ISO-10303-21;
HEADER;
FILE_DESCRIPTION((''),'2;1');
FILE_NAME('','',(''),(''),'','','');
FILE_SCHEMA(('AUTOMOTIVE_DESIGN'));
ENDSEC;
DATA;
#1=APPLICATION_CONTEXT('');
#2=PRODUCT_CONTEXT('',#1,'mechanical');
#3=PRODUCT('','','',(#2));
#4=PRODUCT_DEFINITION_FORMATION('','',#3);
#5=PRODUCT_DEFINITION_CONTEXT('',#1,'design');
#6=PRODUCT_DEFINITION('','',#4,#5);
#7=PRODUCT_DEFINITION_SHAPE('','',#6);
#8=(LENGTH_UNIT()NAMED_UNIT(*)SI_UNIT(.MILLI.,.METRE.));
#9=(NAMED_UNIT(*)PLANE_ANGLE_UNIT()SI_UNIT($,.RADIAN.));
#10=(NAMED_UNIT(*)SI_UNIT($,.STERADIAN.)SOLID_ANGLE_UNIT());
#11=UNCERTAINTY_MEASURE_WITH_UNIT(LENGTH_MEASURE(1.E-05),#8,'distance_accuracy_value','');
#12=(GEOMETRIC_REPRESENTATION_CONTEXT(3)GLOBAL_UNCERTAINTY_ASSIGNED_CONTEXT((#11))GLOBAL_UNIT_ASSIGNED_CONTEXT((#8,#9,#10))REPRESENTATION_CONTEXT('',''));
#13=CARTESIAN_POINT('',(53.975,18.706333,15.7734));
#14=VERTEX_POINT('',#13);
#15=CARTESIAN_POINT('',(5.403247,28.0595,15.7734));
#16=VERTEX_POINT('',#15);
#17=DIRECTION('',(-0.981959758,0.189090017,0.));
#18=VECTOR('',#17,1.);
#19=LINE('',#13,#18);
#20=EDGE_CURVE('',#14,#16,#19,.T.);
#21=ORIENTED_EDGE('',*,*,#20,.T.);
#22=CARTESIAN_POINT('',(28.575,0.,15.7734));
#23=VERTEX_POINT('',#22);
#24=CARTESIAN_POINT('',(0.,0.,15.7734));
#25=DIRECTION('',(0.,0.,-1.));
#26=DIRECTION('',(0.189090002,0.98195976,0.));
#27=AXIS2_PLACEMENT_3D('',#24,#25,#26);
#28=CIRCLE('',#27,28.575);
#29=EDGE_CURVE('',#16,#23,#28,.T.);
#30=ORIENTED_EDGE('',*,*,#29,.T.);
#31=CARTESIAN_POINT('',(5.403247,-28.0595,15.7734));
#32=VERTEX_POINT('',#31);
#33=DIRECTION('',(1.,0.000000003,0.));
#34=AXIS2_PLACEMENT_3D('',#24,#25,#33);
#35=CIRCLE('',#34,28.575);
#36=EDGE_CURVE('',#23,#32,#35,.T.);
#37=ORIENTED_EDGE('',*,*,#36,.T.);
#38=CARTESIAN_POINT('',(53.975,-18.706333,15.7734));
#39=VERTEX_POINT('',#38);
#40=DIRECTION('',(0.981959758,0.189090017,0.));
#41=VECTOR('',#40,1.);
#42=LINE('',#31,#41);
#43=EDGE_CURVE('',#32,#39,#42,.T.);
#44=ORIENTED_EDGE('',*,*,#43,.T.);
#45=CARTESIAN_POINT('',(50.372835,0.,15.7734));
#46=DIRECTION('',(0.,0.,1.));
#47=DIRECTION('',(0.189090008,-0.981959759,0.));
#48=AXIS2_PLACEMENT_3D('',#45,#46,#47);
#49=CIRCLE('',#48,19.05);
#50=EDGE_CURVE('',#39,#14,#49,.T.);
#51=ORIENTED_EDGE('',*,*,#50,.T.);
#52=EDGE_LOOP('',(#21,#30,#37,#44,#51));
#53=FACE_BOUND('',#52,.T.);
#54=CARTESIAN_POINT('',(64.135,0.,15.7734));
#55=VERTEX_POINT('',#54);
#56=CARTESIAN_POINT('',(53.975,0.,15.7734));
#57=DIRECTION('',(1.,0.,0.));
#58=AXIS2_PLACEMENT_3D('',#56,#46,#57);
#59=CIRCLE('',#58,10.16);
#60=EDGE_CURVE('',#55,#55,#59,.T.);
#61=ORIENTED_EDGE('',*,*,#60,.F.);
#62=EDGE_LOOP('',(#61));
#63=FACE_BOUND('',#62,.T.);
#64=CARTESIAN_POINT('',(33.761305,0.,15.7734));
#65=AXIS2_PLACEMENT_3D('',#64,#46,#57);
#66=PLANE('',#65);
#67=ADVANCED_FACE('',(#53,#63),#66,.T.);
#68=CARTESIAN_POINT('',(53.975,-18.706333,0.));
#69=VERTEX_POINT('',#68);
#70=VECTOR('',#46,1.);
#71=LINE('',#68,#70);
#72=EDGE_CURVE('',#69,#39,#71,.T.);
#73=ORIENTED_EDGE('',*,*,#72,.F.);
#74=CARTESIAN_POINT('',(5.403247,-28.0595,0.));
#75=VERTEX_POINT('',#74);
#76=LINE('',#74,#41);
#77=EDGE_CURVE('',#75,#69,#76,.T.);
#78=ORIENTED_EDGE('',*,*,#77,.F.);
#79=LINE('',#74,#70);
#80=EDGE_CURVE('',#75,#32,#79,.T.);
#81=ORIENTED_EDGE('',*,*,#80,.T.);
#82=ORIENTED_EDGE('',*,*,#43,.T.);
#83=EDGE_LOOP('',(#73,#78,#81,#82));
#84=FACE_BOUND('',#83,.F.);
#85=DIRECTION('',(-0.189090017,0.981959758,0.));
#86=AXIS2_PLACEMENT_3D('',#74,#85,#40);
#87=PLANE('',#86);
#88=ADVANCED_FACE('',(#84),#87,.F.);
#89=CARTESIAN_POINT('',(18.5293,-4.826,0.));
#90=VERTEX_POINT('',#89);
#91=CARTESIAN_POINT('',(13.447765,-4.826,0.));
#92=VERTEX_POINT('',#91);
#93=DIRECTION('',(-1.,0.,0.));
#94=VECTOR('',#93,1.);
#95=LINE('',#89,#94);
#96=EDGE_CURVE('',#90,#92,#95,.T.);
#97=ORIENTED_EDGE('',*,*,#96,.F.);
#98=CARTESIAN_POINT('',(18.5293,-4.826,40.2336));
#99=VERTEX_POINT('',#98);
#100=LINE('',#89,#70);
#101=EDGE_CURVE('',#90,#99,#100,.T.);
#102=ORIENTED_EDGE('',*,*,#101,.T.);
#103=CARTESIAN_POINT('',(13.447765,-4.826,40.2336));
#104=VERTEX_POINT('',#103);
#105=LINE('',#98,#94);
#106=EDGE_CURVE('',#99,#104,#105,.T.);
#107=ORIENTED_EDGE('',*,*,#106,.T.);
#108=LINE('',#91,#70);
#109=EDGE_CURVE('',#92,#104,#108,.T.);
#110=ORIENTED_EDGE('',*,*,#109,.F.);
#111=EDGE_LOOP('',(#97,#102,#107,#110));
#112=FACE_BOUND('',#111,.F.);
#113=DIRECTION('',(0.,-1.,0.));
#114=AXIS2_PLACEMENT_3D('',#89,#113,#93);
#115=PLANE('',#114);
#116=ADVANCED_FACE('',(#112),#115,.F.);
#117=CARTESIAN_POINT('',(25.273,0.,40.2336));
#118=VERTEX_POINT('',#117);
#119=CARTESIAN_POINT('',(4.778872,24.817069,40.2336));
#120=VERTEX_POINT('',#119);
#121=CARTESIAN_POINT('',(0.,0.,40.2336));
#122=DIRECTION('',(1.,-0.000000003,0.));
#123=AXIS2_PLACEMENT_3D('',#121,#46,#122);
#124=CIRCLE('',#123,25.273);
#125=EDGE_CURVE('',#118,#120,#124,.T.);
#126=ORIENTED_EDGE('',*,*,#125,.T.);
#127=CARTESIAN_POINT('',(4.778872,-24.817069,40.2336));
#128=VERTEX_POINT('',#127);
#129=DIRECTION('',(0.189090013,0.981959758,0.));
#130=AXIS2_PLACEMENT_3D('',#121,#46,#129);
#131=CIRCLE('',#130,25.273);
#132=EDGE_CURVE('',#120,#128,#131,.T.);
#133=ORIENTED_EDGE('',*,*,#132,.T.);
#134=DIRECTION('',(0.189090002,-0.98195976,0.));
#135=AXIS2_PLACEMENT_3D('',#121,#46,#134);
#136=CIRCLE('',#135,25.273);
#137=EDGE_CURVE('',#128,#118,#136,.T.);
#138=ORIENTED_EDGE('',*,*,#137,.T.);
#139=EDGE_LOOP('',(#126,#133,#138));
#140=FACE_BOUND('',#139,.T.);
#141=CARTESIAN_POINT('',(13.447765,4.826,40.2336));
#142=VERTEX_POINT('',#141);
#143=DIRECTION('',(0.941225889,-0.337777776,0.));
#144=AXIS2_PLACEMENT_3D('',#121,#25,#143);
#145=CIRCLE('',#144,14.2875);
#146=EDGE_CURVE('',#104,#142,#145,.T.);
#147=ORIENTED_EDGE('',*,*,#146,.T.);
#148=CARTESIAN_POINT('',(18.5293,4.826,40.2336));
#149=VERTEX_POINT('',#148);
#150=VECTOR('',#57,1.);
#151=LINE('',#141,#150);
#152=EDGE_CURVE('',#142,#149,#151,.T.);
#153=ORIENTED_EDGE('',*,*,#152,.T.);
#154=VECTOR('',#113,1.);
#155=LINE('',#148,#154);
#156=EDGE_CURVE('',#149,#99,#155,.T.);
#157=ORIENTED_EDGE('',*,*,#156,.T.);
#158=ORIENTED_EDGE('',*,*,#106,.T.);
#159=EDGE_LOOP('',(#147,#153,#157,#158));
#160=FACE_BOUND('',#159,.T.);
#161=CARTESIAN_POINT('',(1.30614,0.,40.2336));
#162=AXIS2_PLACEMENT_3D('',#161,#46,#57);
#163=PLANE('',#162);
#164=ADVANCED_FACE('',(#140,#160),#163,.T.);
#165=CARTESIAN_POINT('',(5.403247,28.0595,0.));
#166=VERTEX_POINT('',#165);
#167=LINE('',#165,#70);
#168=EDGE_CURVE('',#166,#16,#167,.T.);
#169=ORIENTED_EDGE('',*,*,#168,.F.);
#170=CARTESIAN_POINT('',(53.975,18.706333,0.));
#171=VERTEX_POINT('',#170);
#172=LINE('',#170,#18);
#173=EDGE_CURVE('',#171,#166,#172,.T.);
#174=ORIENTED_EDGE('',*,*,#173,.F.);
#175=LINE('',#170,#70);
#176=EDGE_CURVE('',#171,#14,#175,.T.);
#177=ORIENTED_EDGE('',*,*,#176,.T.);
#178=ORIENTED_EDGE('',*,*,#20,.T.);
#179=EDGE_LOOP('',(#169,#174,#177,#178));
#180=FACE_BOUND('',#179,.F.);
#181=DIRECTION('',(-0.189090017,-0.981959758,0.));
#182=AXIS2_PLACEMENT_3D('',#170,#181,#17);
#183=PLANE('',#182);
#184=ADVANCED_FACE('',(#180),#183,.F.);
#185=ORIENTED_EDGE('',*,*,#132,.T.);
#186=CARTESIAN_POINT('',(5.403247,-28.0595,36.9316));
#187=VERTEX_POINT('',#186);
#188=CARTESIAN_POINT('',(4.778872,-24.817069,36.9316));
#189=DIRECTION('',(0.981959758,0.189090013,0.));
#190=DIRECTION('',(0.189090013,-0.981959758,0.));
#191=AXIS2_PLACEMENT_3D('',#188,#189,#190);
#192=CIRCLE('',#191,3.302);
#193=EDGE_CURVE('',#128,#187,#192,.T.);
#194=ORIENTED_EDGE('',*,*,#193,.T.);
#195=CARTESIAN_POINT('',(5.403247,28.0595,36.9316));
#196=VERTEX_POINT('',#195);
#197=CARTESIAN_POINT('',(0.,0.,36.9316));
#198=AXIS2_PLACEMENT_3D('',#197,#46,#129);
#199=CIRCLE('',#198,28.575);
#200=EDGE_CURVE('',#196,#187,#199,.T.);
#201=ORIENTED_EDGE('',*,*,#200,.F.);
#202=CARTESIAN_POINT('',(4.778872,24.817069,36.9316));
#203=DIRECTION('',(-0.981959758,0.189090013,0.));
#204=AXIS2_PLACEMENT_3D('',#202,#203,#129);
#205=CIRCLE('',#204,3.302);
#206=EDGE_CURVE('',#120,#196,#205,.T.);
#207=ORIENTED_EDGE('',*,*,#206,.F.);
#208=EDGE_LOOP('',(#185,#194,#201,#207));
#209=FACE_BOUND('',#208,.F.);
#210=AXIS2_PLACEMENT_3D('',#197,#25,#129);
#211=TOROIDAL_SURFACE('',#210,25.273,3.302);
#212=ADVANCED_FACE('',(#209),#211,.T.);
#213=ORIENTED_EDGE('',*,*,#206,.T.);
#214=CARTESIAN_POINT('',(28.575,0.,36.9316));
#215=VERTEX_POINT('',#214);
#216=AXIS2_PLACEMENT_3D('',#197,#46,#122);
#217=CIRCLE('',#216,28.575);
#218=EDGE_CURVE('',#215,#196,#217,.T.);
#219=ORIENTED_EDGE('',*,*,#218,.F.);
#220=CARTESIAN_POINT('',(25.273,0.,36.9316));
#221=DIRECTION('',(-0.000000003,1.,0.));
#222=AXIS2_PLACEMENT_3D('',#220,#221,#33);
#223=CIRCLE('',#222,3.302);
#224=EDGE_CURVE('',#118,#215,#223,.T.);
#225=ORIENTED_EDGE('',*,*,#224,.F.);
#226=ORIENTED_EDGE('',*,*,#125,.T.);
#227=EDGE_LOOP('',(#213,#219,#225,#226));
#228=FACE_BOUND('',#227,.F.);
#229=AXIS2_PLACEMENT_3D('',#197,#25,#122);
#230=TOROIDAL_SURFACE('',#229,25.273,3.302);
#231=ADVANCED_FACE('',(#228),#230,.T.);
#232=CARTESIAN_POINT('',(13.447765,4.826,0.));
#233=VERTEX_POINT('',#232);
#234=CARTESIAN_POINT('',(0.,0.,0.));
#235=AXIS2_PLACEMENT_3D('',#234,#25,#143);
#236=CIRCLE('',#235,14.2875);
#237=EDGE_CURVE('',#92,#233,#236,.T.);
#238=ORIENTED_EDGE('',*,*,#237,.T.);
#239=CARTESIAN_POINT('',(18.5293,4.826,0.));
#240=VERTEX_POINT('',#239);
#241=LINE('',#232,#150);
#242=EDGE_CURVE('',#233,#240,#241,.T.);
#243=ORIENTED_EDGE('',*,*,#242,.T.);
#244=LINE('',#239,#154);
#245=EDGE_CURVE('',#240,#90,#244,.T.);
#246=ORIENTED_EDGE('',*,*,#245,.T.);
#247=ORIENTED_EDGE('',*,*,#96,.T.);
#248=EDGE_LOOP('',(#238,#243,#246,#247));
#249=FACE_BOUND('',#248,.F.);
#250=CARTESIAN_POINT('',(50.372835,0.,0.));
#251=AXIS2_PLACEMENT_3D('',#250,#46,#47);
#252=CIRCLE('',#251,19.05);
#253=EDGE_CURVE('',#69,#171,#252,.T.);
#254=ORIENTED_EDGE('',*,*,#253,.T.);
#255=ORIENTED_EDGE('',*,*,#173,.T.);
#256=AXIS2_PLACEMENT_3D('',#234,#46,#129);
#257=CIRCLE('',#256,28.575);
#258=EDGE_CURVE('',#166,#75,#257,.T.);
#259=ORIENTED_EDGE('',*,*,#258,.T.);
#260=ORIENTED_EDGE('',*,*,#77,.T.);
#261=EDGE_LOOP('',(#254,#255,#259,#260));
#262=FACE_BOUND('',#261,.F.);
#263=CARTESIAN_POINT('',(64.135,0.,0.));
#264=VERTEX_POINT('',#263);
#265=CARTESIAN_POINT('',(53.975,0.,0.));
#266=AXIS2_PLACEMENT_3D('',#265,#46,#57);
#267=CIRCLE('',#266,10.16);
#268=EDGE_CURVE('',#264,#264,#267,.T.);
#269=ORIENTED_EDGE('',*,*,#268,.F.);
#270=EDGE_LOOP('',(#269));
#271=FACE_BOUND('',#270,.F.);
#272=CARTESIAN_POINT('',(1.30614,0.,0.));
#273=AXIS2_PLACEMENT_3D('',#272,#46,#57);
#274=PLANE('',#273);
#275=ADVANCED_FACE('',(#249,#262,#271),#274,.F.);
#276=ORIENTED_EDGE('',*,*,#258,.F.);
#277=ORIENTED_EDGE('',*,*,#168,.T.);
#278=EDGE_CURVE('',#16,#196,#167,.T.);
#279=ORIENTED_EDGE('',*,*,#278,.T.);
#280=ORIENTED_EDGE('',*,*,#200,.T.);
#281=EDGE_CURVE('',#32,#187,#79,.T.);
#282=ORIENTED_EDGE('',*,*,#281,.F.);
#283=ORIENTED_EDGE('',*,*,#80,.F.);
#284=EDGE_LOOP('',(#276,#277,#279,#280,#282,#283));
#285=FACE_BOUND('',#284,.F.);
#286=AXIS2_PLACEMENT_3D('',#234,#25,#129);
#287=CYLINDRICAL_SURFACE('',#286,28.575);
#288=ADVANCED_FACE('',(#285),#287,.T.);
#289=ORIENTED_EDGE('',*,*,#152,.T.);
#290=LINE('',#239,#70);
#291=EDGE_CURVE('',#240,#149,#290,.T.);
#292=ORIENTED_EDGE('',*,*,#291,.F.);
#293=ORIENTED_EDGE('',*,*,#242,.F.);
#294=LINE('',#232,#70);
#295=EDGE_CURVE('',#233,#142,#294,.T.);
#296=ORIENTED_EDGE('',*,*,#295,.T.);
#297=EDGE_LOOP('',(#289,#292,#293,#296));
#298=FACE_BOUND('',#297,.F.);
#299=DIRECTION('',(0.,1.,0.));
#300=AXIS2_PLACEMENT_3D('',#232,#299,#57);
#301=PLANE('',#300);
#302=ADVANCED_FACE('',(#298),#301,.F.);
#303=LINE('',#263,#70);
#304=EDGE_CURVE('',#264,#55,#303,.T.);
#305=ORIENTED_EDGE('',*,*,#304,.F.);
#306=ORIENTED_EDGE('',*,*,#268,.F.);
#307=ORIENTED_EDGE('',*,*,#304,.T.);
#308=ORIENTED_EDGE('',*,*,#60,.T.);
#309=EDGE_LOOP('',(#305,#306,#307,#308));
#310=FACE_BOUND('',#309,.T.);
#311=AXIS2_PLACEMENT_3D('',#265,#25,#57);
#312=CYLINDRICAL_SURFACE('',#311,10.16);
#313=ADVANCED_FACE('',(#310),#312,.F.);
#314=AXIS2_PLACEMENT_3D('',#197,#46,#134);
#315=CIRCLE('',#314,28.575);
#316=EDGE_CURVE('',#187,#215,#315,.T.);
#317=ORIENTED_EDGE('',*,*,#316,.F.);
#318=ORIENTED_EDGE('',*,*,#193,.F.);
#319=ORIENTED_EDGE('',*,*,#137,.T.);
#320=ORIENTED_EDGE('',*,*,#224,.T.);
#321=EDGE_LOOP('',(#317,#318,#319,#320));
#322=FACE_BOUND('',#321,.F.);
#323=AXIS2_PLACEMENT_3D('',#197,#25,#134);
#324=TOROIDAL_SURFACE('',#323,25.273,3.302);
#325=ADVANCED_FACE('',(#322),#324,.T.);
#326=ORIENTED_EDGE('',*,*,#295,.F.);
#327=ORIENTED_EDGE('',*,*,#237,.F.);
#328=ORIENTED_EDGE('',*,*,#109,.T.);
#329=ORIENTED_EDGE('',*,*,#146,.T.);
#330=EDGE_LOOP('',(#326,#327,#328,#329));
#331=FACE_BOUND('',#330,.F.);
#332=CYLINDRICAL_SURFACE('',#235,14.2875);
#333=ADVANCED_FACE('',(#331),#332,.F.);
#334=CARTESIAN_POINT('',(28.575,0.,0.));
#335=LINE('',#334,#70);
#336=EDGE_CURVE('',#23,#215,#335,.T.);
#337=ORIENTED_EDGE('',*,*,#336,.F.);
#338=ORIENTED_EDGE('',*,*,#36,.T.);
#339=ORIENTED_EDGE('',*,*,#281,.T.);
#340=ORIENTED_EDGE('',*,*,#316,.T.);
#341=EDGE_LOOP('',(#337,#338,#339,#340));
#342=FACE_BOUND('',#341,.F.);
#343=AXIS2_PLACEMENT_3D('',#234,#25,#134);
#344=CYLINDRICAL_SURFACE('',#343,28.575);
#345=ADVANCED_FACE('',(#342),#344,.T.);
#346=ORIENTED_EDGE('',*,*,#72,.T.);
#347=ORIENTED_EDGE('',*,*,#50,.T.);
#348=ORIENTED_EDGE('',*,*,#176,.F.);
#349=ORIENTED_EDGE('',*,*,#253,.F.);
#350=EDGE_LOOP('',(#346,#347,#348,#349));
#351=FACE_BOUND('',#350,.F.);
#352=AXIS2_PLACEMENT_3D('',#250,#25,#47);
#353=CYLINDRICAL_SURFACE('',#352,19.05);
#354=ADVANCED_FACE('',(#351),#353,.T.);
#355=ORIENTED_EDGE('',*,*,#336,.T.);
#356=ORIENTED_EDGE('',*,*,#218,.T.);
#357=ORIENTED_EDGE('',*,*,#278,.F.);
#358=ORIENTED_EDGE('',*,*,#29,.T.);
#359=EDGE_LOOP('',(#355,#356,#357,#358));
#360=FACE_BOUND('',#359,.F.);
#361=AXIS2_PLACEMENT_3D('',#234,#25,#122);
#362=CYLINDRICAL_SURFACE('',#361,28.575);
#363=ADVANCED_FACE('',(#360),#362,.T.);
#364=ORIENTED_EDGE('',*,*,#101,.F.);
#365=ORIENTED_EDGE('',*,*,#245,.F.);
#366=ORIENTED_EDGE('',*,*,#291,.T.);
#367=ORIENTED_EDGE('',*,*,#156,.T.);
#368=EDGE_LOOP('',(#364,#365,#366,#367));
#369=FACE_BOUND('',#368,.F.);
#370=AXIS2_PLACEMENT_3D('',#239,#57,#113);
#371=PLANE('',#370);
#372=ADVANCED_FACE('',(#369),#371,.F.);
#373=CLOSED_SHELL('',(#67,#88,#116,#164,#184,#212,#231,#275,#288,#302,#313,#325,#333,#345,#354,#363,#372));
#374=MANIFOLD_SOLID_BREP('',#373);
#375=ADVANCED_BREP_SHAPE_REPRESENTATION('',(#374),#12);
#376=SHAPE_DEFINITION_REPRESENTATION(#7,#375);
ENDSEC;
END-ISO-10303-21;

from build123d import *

# Parameters (mm, degrees)
F0_R     = 10.16
F1_DEPTH = 15.7734
F2_DEPTH = 40.2336
F3_R     = 3.302


with BuildPart() as f1:
    # F0 (on Top) → F1 (new body)
    with BuildSketch(Plane.XY):
        with BuildLine():
            ThreePointArc((5.403247, 28.0595), (22.033252, 18.195231), (28.575, 0))
            ThreePointArc((28.575, 0), (22.033252, -18.195231), (5.403247, -28.0595))
            Line((5.403247, -28.0595), (53.975, -18.706333))
            ThreePointArc((53.975, -18.706333), (69.422835, 0), (53.975, 18.706333))
            Line((53.975, 18.706333), (5.403247, 28.0595))
        make_face()
        with Locations((53.975, 0)):
            Circle(F0_R, mode=Mode.SUBTRACT)
    extrude(amount=F1_DEPTH)

    # F0 (on Top) → F2 (join)
    with BuildSketch(Plane.XY):
        with BuildLine():
            ThreePointArc((5.403247, -28.0595), (22.033252, -18.195231), (28.575, 0))
            ThreePointArc((28.575, 0), (22.033252, 18.195231), (5.403247, 28.0595))
            ThreePointArc((5.403247, 28.0595), (-28.575, 0), (5.403247, -28.0595))
        make_face()
        with BuildLine():
            ThreePointArc((13.447765, -4.826), (-14.2875, 0), (13.447765, 4.826))
            Line((13.447765, 4.826), (18.5293, 4.826))
            Line((18.5293, 4.826), (18.5293, 0))
            Line((18.5293, 0), (18.5293, -4.826))
            Line((18.5293, -4.826), (13.447765, -4.826))
        make_face(mode=Mode.SUBTRACT)
    extrude(amount=F2_DEPTH)

    # F3
    f3_edges = [f1.edges().sort_by_distance(p)[0] for p in [
        (-5.403247, 28.0595, 40.2336),
    ]]
    fillet(f3_edges, radius=F3_R)


solid = f1.part
